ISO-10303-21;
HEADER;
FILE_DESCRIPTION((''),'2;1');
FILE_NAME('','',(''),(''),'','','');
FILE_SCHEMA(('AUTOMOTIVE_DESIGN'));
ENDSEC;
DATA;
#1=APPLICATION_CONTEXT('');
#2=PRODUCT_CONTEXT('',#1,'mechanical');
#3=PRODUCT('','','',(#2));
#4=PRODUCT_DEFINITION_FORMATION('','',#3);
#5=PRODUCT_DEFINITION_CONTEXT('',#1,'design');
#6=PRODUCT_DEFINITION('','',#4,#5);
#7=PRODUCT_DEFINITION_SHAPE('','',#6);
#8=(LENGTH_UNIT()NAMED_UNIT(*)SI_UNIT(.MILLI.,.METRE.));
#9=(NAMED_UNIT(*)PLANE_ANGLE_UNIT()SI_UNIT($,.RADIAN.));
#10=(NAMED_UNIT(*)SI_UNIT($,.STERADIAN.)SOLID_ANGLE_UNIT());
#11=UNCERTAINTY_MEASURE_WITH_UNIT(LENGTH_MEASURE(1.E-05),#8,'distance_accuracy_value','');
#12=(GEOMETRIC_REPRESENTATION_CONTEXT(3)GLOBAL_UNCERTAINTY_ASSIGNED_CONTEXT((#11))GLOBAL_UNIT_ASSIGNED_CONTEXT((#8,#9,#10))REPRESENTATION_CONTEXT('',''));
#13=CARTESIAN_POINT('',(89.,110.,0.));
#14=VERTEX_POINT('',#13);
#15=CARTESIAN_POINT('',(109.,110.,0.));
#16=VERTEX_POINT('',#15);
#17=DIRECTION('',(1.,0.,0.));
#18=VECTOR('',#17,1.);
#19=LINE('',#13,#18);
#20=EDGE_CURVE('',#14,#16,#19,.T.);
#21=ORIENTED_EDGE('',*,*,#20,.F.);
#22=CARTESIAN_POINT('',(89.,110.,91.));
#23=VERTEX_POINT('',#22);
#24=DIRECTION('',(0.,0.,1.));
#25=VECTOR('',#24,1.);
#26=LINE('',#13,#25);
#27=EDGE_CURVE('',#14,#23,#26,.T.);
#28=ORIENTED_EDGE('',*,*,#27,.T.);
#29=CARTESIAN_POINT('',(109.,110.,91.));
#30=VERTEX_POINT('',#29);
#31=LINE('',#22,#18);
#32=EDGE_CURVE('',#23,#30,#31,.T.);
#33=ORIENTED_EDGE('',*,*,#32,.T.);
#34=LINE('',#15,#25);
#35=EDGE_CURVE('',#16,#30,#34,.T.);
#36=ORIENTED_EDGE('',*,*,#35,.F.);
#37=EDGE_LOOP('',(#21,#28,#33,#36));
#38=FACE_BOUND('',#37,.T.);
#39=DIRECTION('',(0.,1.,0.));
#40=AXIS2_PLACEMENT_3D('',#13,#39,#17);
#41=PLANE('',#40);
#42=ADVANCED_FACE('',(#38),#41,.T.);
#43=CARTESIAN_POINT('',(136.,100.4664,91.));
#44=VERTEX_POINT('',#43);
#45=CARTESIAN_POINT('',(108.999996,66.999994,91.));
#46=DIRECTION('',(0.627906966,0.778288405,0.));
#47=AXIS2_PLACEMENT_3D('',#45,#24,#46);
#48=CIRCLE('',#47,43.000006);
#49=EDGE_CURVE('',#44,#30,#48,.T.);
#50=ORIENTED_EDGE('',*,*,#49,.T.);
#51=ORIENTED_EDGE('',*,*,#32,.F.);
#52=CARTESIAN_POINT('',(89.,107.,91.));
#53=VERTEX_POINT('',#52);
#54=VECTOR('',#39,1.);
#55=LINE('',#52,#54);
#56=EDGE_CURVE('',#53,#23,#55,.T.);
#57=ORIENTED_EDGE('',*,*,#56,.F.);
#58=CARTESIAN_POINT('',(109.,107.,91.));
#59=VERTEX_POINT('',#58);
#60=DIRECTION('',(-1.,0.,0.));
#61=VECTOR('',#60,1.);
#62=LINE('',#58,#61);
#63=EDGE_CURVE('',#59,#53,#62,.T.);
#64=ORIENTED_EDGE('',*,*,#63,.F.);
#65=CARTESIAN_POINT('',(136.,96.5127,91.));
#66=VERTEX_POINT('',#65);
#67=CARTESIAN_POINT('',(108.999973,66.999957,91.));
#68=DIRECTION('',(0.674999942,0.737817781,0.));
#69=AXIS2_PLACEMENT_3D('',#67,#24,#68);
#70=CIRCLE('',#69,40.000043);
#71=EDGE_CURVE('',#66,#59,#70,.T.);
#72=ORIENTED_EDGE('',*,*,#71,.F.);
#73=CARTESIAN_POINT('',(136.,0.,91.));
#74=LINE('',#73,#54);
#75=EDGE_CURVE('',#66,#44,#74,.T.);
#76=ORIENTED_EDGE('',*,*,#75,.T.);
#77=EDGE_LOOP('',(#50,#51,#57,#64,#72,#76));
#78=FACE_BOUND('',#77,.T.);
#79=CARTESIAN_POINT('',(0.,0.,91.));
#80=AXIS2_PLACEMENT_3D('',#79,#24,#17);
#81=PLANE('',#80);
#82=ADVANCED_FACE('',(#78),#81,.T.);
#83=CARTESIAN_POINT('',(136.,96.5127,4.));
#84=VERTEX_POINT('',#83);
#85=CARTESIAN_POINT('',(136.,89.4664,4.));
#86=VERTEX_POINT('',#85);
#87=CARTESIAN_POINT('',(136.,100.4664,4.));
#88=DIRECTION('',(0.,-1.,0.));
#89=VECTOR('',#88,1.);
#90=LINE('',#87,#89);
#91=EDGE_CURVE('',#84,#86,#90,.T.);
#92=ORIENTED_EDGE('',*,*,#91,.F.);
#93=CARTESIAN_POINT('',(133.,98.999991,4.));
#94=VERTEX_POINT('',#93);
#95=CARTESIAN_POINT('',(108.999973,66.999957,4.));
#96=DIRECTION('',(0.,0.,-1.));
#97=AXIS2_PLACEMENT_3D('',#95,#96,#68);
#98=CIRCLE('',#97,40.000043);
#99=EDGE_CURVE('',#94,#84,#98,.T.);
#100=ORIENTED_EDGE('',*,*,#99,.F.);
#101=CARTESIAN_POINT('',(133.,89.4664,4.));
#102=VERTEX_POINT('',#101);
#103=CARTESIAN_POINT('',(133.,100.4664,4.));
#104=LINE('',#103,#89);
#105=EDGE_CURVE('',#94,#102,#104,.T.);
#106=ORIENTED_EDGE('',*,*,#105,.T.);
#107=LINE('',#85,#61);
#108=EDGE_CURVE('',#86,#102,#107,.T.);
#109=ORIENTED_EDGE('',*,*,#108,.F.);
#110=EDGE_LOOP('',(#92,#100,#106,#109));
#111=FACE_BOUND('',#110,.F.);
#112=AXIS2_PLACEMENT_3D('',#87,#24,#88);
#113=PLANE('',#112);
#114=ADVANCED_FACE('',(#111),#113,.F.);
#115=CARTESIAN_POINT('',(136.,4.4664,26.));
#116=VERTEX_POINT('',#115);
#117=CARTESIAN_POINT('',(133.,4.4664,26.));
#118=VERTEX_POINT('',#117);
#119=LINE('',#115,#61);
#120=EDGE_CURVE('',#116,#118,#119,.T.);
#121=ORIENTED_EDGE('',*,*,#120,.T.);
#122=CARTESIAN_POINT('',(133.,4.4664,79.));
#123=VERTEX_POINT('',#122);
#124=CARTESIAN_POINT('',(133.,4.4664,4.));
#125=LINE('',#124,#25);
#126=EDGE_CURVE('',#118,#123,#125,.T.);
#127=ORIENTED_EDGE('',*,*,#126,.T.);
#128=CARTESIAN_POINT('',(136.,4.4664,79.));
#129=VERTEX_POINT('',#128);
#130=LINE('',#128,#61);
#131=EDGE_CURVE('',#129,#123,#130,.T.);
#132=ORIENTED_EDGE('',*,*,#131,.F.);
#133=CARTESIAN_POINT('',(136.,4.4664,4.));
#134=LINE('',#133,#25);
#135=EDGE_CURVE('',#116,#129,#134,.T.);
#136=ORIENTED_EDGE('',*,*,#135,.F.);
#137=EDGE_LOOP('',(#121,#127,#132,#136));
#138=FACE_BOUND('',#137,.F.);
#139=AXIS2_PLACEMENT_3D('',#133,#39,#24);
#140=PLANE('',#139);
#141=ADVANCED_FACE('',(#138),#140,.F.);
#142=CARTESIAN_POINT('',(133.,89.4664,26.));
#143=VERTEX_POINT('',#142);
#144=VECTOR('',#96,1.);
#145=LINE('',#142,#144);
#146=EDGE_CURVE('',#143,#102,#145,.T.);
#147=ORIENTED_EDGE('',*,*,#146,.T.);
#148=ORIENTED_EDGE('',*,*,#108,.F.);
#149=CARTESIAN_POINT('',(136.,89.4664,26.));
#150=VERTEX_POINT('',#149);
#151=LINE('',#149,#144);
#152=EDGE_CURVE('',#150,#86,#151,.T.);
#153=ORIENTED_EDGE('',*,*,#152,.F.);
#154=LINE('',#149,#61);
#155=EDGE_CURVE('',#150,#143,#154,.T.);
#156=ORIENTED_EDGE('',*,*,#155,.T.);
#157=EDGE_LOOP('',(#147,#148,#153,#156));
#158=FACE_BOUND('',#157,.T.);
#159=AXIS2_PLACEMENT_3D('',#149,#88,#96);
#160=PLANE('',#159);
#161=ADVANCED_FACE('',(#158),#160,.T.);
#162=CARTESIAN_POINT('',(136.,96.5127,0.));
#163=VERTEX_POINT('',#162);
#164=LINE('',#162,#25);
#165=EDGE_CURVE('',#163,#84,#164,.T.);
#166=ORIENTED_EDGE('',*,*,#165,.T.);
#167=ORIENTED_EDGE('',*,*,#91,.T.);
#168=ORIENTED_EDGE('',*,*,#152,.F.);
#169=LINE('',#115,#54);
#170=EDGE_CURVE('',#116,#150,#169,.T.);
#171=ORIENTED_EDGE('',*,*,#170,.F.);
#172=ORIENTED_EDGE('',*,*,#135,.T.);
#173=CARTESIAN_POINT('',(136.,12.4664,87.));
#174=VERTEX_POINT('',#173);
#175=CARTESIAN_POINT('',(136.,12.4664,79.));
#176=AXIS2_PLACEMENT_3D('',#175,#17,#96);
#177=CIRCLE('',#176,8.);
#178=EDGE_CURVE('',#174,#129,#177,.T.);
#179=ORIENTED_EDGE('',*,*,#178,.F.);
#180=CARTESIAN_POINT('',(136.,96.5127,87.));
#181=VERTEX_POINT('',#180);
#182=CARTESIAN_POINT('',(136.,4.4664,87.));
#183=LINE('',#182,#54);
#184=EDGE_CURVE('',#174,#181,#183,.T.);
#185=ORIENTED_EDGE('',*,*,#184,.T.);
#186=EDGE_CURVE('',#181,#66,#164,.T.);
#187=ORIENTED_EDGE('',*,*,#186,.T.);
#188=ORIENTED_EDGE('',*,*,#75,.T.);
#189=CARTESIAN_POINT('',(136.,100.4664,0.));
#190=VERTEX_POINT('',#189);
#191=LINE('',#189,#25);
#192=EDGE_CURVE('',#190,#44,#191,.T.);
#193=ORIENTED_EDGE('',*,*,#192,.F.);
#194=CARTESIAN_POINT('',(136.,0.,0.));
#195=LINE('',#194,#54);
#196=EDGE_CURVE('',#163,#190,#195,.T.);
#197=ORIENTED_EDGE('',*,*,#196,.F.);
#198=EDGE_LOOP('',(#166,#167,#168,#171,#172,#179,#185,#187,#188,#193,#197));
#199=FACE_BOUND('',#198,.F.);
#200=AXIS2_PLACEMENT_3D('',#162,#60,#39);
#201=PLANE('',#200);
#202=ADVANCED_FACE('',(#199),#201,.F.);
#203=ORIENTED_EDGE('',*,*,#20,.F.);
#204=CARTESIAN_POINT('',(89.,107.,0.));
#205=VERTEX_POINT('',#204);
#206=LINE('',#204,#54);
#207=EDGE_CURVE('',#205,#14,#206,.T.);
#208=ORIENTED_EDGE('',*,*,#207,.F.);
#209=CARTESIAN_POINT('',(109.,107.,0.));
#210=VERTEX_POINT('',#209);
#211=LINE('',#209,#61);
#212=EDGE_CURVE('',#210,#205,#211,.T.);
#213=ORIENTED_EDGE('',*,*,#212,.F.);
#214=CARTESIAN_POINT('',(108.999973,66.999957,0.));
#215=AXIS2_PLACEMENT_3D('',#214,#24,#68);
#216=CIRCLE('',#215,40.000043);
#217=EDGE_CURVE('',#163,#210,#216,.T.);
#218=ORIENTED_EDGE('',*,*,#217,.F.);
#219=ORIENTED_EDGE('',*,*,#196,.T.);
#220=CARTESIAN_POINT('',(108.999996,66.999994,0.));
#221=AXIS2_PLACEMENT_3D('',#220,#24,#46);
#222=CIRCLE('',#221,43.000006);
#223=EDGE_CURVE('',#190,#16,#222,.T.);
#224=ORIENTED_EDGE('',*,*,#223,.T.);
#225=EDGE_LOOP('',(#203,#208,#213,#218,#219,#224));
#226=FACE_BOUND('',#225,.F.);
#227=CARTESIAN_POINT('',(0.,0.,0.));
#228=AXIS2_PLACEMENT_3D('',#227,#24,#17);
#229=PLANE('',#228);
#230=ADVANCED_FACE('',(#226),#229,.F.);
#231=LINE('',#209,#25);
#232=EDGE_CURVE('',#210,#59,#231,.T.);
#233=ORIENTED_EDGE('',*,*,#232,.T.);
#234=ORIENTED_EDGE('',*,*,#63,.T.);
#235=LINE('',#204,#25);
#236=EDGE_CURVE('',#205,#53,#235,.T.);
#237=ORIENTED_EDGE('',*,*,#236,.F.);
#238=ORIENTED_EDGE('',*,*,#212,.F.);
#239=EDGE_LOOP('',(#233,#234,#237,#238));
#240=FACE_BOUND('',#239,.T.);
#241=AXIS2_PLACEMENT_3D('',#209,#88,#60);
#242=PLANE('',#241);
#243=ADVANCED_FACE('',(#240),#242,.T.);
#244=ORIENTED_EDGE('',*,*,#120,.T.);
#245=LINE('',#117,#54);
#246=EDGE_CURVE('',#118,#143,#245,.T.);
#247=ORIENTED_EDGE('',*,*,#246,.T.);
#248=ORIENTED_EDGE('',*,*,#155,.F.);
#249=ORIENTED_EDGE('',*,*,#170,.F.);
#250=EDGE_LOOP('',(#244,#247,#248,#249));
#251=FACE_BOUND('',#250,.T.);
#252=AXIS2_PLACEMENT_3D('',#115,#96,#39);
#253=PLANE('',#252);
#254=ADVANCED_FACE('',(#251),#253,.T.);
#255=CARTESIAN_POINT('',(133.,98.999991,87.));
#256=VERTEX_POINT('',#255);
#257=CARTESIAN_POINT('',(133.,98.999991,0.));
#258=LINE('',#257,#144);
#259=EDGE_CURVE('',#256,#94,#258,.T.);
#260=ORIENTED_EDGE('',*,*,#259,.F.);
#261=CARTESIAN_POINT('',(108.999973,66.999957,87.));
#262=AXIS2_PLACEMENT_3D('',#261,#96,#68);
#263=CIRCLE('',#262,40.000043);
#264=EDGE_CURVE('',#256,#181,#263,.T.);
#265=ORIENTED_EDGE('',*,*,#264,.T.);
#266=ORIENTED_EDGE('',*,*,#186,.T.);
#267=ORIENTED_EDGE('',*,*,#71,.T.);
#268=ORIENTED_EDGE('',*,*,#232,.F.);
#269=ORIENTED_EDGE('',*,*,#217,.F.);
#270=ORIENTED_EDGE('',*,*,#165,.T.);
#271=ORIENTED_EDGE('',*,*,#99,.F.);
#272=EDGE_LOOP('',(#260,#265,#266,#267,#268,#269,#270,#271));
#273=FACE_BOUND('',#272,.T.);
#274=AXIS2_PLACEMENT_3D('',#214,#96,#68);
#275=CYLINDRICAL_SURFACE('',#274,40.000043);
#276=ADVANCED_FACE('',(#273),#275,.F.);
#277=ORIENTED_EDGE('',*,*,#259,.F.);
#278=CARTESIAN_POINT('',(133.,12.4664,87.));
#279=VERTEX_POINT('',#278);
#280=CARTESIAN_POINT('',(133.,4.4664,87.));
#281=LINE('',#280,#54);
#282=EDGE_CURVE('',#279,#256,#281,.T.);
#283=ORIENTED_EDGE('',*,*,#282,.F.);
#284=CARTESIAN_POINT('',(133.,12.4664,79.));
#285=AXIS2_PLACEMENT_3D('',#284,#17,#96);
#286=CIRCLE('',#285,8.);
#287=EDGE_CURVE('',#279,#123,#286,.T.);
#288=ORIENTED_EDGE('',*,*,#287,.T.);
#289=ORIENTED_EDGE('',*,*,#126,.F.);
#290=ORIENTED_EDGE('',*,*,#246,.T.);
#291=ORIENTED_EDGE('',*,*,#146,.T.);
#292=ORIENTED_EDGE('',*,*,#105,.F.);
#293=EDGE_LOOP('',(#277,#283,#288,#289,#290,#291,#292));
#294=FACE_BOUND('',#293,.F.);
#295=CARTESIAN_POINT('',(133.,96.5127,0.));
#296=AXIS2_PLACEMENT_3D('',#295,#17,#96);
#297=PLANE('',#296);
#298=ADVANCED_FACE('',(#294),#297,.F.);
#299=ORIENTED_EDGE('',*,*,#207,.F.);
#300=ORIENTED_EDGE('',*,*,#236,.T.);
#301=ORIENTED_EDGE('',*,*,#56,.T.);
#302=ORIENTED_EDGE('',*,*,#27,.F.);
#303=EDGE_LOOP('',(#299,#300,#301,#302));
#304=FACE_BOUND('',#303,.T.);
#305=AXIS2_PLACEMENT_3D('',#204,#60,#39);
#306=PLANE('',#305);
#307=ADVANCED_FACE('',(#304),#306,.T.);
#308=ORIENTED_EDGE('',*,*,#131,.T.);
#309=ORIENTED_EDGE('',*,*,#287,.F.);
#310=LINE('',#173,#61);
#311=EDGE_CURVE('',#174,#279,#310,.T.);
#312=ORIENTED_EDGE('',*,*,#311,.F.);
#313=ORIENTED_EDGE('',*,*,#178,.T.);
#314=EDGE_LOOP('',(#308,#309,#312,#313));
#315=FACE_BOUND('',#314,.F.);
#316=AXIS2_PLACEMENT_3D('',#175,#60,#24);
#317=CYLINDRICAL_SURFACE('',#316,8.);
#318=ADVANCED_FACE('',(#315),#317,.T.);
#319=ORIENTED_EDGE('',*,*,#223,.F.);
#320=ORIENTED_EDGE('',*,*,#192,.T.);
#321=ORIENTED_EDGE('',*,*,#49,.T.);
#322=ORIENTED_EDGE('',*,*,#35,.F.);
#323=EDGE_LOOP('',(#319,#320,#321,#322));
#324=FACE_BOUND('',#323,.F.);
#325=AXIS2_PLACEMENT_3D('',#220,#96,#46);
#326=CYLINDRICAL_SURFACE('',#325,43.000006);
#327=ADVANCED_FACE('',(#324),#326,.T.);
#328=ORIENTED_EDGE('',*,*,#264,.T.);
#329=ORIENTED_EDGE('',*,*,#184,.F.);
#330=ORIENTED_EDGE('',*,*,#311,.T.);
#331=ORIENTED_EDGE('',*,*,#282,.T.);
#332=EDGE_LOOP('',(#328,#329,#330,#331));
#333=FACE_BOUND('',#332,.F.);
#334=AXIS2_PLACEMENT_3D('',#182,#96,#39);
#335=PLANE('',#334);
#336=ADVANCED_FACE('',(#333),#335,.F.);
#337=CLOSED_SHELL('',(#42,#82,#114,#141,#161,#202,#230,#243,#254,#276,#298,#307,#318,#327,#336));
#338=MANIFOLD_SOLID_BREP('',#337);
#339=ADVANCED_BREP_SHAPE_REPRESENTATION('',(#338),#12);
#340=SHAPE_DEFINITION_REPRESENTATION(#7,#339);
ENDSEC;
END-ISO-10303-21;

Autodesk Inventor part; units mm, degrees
ref_plane "YZ Plane" through (0, 0, 0) normal (1, 0, 0) x (0, 1, 0)
ref_plane "XZ Plane" through (0, 0, 0) normal (0, 1, 0) x (-1, 0, 0)
ref_plane "XY Plane" through (0, 0, 0) normal (0, 0, 1) x (1, 0, 0)
sketch "Sketch1" plane through (0, 0, 0) normal (0, 0, 1) x (1, 0, 0)
  arc A0 (136, 96.5127) -> (109, 107) centre (109, 67) ccw
  line L0 (149, 0) -> (149, 67)
  line L1 (109, 107) -> (89, 107)
  line L2 (149, 0) -> (136, 0)
  line L3 (136, 0) -> (136, 112.2002)
  line L4 (89, 110) -> (109, 110)
  arc A1 (136, 100.4664) -> (109, 110) centre (109, 67) ccw
  line L5 (89, 107) -> (89, 110)
  point P0 (0, 0)
  point P1 (0, 53.5)
  dimension "d0" = 13
  dimension "d1" = 3
extrude "Extrusion1" add sketch "Sketch1" along normal blind 91
sketch "Sketch2" plane through (136, 96.5127, 0) normal (1, 0, 0) x (0, 0, -1)
  line L0 (0, 3.9537) -> (-91, 3.9537) projected
  line L1 (-87, 3.9537) -> (-4, 3.9537)
  line L2 (-4, 3.9537) -> (-4, -92.0463)
  line L3 (-4, -92.0463) -> (-87, -92.0463)
  line L4 (-87, -92.0463) -> (-87, 3.9537)
  line L5 (-91, 0) -> (-91, 3.9537) projected
  point P0 (0, -96.5127)
  point P1 (-4, 3.9537)
  dimension "d4" = 83
  dimension "d5" = 96
  dimension "d6" = 4
extrude "Extrusion2" add sketch "Sketch2" against normal blind 3
fillet "Fillet1" radius 8 1 edges at (134.5, 4.4664, 87)
sketch "Sketch3" plane through (136, 96.5127, 0) normal (1, 0, 0) x (0, 0, -1)
  line L0 (-79, -92.0463) -> (-4, -92.0463) projected
  line L1 (-4, -92.0463) -> (-26, -92.0463)
  line L2 (-26, -92.0463) -> (-26, -7.0463)
  line L3 (-26, -7.0463) -> (-4, -7.0463)
  line L4 (-4, -7.0463) -> (-4, -92.0463)
  point P0 (0, -96.5127)
  dimension "d10" = 22
  dimension "d11" = 85
extrude "Extrusion3" cut sketch "Sketch3" against normal up to surface (3 mm away)
properties part number "obudowa przekładni 3 LEFT"
